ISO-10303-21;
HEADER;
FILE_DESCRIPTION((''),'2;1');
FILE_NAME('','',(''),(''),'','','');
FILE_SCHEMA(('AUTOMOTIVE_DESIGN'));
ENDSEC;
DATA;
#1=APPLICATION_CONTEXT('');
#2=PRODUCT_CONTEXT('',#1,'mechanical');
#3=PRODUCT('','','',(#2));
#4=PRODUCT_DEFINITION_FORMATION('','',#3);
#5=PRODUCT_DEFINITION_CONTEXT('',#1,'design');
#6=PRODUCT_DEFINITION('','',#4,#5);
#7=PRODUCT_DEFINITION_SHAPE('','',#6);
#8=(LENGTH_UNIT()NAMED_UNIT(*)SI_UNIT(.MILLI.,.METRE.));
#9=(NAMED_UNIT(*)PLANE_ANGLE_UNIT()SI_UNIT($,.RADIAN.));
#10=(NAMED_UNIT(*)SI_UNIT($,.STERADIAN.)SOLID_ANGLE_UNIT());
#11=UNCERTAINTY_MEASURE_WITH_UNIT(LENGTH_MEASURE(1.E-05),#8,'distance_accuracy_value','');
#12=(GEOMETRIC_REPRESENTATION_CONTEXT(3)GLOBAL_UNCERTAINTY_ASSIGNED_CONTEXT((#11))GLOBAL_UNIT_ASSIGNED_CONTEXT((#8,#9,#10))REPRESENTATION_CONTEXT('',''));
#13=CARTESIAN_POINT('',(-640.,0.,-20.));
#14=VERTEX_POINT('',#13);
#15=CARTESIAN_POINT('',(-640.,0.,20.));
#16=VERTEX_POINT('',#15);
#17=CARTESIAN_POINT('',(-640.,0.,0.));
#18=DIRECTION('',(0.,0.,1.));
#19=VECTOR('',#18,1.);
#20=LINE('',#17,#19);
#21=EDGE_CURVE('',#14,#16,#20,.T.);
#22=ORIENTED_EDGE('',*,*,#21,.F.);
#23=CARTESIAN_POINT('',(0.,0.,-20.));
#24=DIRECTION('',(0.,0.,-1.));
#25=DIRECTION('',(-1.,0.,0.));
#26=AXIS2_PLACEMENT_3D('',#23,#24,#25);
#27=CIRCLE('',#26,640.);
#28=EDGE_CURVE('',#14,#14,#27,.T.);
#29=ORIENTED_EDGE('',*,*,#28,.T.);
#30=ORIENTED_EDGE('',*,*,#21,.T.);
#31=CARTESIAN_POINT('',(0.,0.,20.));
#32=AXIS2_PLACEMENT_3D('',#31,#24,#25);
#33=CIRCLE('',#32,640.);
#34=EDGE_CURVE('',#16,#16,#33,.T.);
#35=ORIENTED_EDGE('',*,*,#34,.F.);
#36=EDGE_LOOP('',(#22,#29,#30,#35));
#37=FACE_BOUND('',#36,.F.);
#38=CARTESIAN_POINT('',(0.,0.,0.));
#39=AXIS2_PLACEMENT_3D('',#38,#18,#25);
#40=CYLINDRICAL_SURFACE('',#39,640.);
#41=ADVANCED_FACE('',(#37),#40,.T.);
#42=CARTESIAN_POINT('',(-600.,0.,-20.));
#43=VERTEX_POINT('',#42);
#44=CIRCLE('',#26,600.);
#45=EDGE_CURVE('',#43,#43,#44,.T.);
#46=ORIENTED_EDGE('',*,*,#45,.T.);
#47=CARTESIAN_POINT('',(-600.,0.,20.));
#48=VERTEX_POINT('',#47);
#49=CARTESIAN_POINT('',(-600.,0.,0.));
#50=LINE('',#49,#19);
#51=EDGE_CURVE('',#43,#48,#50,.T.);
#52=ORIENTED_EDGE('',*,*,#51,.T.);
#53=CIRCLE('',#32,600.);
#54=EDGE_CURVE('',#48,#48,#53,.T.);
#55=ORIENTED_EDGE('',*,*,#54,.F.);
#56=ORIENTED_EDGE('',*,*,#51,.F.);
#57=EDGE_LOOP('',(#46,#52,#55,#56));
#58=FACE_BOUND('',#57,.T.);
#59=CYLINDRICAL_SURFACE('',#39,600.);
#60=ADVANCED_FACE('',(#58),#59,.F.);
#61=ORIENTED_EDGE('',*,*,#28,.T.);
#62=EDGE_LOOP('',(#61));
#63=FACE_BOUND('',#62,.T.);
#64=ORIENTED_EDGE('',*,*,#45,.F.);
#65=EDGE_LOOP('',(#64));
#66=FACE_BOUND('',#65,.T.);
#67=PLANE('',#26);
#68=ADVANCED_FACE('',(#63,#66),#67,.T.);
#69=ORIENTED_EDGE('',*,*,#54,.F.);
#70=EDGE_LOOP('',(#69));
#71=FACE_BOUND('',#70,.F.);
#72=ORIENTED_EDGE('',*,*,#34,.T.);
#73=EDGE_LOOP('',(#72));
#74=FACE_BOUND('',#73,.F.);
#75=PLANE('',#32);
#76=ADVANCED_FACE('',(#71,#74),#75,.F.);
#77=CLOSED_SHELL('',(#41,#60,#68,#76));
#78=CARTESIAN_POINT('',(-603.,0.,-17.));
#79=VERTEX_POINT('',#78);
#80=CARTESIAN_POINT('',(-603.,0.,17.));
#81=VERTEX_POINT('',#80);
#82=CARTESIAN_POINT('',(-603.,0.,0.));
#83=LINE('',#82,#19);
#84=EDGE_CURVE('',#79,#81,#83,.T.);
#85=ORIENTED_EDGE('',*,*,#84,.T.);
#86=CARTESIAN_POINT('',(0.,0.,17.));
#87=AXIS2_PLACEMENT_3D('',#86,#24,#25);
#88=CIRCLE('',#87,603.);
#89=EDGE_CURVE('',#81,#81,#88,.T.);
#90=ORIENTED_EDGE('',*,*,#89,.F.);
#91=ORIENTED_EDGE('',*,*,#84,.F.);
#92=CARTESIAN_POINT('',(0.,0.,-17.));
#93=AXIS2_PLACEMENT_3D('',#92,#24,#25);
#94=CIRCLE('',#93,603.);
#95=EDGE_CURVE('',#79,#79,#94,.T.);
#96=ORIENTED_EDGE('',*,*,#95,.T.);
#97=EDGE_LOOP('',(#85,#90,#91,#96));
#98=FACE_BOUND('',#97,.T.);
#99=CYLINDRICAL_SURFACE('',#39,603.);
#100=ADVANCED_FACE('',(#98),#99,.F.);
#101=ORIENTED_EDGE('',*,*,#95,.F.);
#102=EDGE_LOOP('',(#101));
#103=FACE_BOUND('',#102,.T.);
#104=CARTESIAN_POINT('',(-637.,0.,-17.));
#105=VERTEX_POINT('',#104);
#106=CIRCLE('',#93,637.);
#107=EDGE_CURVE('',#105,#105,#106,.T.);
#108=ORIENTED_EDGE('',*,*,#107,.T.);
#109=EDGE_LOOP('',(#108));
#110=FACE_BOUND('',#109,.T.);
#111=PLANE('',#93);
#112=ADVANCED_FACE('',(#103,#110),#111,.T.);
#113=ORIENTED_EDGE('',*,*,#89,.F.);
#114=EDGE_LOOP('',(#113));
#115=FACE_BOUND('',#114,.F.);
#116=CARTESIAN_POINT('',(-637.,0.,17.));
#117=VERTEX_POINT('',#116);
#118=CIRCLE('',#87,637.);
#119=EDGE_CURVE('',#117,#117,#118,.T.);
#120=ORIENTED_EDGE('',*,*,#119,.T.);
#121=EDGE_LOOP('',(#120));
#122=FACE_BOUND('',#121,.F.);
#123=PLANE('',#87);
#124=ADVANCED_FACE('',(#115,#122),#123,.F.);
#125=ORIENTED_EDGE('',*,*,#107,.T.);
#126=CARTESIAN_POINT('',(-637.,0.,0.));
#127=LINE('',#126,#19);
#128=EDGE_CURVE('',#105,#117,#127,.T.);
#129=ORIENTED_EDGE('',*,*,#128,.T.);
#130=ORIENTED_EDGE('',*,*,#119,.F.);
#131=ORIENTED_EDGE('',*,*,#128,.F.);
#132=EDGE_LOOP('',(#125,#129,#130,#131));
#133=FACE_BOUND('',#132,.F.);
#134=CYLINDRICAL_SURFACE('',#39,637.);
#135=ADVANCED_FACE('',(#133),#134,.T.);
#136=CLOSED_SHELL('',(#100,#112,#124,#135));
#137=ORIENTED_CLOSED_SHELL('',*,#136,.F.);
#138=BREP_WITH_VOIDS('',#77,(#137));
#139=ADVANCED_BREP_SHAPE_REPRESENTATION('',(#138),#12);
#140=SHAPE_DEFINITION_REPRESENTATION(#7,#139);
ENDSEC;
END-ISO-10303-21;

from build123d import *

# Parameters (mm, degrees)
F0_W   = 40
F0_H   = 40
F0_W_2 = 34
F0_H_2 = 34


with BuildPart() as f1:
    # F0 (on Front) → F1 (revolve)
    with BuildSketch(Plane.XZ):
        with Locations((-620, 0)):
            Rectangle(F0_W, F0_H)
        with Locations((-620, 0)):
            Rectangle(F0_W_2, F0_H_2, mode=Mode.SUBTRACT)
    revolve(axis=Axis((0, 0, -37.583534), (0, 0, -1)))


solid = f1.part
